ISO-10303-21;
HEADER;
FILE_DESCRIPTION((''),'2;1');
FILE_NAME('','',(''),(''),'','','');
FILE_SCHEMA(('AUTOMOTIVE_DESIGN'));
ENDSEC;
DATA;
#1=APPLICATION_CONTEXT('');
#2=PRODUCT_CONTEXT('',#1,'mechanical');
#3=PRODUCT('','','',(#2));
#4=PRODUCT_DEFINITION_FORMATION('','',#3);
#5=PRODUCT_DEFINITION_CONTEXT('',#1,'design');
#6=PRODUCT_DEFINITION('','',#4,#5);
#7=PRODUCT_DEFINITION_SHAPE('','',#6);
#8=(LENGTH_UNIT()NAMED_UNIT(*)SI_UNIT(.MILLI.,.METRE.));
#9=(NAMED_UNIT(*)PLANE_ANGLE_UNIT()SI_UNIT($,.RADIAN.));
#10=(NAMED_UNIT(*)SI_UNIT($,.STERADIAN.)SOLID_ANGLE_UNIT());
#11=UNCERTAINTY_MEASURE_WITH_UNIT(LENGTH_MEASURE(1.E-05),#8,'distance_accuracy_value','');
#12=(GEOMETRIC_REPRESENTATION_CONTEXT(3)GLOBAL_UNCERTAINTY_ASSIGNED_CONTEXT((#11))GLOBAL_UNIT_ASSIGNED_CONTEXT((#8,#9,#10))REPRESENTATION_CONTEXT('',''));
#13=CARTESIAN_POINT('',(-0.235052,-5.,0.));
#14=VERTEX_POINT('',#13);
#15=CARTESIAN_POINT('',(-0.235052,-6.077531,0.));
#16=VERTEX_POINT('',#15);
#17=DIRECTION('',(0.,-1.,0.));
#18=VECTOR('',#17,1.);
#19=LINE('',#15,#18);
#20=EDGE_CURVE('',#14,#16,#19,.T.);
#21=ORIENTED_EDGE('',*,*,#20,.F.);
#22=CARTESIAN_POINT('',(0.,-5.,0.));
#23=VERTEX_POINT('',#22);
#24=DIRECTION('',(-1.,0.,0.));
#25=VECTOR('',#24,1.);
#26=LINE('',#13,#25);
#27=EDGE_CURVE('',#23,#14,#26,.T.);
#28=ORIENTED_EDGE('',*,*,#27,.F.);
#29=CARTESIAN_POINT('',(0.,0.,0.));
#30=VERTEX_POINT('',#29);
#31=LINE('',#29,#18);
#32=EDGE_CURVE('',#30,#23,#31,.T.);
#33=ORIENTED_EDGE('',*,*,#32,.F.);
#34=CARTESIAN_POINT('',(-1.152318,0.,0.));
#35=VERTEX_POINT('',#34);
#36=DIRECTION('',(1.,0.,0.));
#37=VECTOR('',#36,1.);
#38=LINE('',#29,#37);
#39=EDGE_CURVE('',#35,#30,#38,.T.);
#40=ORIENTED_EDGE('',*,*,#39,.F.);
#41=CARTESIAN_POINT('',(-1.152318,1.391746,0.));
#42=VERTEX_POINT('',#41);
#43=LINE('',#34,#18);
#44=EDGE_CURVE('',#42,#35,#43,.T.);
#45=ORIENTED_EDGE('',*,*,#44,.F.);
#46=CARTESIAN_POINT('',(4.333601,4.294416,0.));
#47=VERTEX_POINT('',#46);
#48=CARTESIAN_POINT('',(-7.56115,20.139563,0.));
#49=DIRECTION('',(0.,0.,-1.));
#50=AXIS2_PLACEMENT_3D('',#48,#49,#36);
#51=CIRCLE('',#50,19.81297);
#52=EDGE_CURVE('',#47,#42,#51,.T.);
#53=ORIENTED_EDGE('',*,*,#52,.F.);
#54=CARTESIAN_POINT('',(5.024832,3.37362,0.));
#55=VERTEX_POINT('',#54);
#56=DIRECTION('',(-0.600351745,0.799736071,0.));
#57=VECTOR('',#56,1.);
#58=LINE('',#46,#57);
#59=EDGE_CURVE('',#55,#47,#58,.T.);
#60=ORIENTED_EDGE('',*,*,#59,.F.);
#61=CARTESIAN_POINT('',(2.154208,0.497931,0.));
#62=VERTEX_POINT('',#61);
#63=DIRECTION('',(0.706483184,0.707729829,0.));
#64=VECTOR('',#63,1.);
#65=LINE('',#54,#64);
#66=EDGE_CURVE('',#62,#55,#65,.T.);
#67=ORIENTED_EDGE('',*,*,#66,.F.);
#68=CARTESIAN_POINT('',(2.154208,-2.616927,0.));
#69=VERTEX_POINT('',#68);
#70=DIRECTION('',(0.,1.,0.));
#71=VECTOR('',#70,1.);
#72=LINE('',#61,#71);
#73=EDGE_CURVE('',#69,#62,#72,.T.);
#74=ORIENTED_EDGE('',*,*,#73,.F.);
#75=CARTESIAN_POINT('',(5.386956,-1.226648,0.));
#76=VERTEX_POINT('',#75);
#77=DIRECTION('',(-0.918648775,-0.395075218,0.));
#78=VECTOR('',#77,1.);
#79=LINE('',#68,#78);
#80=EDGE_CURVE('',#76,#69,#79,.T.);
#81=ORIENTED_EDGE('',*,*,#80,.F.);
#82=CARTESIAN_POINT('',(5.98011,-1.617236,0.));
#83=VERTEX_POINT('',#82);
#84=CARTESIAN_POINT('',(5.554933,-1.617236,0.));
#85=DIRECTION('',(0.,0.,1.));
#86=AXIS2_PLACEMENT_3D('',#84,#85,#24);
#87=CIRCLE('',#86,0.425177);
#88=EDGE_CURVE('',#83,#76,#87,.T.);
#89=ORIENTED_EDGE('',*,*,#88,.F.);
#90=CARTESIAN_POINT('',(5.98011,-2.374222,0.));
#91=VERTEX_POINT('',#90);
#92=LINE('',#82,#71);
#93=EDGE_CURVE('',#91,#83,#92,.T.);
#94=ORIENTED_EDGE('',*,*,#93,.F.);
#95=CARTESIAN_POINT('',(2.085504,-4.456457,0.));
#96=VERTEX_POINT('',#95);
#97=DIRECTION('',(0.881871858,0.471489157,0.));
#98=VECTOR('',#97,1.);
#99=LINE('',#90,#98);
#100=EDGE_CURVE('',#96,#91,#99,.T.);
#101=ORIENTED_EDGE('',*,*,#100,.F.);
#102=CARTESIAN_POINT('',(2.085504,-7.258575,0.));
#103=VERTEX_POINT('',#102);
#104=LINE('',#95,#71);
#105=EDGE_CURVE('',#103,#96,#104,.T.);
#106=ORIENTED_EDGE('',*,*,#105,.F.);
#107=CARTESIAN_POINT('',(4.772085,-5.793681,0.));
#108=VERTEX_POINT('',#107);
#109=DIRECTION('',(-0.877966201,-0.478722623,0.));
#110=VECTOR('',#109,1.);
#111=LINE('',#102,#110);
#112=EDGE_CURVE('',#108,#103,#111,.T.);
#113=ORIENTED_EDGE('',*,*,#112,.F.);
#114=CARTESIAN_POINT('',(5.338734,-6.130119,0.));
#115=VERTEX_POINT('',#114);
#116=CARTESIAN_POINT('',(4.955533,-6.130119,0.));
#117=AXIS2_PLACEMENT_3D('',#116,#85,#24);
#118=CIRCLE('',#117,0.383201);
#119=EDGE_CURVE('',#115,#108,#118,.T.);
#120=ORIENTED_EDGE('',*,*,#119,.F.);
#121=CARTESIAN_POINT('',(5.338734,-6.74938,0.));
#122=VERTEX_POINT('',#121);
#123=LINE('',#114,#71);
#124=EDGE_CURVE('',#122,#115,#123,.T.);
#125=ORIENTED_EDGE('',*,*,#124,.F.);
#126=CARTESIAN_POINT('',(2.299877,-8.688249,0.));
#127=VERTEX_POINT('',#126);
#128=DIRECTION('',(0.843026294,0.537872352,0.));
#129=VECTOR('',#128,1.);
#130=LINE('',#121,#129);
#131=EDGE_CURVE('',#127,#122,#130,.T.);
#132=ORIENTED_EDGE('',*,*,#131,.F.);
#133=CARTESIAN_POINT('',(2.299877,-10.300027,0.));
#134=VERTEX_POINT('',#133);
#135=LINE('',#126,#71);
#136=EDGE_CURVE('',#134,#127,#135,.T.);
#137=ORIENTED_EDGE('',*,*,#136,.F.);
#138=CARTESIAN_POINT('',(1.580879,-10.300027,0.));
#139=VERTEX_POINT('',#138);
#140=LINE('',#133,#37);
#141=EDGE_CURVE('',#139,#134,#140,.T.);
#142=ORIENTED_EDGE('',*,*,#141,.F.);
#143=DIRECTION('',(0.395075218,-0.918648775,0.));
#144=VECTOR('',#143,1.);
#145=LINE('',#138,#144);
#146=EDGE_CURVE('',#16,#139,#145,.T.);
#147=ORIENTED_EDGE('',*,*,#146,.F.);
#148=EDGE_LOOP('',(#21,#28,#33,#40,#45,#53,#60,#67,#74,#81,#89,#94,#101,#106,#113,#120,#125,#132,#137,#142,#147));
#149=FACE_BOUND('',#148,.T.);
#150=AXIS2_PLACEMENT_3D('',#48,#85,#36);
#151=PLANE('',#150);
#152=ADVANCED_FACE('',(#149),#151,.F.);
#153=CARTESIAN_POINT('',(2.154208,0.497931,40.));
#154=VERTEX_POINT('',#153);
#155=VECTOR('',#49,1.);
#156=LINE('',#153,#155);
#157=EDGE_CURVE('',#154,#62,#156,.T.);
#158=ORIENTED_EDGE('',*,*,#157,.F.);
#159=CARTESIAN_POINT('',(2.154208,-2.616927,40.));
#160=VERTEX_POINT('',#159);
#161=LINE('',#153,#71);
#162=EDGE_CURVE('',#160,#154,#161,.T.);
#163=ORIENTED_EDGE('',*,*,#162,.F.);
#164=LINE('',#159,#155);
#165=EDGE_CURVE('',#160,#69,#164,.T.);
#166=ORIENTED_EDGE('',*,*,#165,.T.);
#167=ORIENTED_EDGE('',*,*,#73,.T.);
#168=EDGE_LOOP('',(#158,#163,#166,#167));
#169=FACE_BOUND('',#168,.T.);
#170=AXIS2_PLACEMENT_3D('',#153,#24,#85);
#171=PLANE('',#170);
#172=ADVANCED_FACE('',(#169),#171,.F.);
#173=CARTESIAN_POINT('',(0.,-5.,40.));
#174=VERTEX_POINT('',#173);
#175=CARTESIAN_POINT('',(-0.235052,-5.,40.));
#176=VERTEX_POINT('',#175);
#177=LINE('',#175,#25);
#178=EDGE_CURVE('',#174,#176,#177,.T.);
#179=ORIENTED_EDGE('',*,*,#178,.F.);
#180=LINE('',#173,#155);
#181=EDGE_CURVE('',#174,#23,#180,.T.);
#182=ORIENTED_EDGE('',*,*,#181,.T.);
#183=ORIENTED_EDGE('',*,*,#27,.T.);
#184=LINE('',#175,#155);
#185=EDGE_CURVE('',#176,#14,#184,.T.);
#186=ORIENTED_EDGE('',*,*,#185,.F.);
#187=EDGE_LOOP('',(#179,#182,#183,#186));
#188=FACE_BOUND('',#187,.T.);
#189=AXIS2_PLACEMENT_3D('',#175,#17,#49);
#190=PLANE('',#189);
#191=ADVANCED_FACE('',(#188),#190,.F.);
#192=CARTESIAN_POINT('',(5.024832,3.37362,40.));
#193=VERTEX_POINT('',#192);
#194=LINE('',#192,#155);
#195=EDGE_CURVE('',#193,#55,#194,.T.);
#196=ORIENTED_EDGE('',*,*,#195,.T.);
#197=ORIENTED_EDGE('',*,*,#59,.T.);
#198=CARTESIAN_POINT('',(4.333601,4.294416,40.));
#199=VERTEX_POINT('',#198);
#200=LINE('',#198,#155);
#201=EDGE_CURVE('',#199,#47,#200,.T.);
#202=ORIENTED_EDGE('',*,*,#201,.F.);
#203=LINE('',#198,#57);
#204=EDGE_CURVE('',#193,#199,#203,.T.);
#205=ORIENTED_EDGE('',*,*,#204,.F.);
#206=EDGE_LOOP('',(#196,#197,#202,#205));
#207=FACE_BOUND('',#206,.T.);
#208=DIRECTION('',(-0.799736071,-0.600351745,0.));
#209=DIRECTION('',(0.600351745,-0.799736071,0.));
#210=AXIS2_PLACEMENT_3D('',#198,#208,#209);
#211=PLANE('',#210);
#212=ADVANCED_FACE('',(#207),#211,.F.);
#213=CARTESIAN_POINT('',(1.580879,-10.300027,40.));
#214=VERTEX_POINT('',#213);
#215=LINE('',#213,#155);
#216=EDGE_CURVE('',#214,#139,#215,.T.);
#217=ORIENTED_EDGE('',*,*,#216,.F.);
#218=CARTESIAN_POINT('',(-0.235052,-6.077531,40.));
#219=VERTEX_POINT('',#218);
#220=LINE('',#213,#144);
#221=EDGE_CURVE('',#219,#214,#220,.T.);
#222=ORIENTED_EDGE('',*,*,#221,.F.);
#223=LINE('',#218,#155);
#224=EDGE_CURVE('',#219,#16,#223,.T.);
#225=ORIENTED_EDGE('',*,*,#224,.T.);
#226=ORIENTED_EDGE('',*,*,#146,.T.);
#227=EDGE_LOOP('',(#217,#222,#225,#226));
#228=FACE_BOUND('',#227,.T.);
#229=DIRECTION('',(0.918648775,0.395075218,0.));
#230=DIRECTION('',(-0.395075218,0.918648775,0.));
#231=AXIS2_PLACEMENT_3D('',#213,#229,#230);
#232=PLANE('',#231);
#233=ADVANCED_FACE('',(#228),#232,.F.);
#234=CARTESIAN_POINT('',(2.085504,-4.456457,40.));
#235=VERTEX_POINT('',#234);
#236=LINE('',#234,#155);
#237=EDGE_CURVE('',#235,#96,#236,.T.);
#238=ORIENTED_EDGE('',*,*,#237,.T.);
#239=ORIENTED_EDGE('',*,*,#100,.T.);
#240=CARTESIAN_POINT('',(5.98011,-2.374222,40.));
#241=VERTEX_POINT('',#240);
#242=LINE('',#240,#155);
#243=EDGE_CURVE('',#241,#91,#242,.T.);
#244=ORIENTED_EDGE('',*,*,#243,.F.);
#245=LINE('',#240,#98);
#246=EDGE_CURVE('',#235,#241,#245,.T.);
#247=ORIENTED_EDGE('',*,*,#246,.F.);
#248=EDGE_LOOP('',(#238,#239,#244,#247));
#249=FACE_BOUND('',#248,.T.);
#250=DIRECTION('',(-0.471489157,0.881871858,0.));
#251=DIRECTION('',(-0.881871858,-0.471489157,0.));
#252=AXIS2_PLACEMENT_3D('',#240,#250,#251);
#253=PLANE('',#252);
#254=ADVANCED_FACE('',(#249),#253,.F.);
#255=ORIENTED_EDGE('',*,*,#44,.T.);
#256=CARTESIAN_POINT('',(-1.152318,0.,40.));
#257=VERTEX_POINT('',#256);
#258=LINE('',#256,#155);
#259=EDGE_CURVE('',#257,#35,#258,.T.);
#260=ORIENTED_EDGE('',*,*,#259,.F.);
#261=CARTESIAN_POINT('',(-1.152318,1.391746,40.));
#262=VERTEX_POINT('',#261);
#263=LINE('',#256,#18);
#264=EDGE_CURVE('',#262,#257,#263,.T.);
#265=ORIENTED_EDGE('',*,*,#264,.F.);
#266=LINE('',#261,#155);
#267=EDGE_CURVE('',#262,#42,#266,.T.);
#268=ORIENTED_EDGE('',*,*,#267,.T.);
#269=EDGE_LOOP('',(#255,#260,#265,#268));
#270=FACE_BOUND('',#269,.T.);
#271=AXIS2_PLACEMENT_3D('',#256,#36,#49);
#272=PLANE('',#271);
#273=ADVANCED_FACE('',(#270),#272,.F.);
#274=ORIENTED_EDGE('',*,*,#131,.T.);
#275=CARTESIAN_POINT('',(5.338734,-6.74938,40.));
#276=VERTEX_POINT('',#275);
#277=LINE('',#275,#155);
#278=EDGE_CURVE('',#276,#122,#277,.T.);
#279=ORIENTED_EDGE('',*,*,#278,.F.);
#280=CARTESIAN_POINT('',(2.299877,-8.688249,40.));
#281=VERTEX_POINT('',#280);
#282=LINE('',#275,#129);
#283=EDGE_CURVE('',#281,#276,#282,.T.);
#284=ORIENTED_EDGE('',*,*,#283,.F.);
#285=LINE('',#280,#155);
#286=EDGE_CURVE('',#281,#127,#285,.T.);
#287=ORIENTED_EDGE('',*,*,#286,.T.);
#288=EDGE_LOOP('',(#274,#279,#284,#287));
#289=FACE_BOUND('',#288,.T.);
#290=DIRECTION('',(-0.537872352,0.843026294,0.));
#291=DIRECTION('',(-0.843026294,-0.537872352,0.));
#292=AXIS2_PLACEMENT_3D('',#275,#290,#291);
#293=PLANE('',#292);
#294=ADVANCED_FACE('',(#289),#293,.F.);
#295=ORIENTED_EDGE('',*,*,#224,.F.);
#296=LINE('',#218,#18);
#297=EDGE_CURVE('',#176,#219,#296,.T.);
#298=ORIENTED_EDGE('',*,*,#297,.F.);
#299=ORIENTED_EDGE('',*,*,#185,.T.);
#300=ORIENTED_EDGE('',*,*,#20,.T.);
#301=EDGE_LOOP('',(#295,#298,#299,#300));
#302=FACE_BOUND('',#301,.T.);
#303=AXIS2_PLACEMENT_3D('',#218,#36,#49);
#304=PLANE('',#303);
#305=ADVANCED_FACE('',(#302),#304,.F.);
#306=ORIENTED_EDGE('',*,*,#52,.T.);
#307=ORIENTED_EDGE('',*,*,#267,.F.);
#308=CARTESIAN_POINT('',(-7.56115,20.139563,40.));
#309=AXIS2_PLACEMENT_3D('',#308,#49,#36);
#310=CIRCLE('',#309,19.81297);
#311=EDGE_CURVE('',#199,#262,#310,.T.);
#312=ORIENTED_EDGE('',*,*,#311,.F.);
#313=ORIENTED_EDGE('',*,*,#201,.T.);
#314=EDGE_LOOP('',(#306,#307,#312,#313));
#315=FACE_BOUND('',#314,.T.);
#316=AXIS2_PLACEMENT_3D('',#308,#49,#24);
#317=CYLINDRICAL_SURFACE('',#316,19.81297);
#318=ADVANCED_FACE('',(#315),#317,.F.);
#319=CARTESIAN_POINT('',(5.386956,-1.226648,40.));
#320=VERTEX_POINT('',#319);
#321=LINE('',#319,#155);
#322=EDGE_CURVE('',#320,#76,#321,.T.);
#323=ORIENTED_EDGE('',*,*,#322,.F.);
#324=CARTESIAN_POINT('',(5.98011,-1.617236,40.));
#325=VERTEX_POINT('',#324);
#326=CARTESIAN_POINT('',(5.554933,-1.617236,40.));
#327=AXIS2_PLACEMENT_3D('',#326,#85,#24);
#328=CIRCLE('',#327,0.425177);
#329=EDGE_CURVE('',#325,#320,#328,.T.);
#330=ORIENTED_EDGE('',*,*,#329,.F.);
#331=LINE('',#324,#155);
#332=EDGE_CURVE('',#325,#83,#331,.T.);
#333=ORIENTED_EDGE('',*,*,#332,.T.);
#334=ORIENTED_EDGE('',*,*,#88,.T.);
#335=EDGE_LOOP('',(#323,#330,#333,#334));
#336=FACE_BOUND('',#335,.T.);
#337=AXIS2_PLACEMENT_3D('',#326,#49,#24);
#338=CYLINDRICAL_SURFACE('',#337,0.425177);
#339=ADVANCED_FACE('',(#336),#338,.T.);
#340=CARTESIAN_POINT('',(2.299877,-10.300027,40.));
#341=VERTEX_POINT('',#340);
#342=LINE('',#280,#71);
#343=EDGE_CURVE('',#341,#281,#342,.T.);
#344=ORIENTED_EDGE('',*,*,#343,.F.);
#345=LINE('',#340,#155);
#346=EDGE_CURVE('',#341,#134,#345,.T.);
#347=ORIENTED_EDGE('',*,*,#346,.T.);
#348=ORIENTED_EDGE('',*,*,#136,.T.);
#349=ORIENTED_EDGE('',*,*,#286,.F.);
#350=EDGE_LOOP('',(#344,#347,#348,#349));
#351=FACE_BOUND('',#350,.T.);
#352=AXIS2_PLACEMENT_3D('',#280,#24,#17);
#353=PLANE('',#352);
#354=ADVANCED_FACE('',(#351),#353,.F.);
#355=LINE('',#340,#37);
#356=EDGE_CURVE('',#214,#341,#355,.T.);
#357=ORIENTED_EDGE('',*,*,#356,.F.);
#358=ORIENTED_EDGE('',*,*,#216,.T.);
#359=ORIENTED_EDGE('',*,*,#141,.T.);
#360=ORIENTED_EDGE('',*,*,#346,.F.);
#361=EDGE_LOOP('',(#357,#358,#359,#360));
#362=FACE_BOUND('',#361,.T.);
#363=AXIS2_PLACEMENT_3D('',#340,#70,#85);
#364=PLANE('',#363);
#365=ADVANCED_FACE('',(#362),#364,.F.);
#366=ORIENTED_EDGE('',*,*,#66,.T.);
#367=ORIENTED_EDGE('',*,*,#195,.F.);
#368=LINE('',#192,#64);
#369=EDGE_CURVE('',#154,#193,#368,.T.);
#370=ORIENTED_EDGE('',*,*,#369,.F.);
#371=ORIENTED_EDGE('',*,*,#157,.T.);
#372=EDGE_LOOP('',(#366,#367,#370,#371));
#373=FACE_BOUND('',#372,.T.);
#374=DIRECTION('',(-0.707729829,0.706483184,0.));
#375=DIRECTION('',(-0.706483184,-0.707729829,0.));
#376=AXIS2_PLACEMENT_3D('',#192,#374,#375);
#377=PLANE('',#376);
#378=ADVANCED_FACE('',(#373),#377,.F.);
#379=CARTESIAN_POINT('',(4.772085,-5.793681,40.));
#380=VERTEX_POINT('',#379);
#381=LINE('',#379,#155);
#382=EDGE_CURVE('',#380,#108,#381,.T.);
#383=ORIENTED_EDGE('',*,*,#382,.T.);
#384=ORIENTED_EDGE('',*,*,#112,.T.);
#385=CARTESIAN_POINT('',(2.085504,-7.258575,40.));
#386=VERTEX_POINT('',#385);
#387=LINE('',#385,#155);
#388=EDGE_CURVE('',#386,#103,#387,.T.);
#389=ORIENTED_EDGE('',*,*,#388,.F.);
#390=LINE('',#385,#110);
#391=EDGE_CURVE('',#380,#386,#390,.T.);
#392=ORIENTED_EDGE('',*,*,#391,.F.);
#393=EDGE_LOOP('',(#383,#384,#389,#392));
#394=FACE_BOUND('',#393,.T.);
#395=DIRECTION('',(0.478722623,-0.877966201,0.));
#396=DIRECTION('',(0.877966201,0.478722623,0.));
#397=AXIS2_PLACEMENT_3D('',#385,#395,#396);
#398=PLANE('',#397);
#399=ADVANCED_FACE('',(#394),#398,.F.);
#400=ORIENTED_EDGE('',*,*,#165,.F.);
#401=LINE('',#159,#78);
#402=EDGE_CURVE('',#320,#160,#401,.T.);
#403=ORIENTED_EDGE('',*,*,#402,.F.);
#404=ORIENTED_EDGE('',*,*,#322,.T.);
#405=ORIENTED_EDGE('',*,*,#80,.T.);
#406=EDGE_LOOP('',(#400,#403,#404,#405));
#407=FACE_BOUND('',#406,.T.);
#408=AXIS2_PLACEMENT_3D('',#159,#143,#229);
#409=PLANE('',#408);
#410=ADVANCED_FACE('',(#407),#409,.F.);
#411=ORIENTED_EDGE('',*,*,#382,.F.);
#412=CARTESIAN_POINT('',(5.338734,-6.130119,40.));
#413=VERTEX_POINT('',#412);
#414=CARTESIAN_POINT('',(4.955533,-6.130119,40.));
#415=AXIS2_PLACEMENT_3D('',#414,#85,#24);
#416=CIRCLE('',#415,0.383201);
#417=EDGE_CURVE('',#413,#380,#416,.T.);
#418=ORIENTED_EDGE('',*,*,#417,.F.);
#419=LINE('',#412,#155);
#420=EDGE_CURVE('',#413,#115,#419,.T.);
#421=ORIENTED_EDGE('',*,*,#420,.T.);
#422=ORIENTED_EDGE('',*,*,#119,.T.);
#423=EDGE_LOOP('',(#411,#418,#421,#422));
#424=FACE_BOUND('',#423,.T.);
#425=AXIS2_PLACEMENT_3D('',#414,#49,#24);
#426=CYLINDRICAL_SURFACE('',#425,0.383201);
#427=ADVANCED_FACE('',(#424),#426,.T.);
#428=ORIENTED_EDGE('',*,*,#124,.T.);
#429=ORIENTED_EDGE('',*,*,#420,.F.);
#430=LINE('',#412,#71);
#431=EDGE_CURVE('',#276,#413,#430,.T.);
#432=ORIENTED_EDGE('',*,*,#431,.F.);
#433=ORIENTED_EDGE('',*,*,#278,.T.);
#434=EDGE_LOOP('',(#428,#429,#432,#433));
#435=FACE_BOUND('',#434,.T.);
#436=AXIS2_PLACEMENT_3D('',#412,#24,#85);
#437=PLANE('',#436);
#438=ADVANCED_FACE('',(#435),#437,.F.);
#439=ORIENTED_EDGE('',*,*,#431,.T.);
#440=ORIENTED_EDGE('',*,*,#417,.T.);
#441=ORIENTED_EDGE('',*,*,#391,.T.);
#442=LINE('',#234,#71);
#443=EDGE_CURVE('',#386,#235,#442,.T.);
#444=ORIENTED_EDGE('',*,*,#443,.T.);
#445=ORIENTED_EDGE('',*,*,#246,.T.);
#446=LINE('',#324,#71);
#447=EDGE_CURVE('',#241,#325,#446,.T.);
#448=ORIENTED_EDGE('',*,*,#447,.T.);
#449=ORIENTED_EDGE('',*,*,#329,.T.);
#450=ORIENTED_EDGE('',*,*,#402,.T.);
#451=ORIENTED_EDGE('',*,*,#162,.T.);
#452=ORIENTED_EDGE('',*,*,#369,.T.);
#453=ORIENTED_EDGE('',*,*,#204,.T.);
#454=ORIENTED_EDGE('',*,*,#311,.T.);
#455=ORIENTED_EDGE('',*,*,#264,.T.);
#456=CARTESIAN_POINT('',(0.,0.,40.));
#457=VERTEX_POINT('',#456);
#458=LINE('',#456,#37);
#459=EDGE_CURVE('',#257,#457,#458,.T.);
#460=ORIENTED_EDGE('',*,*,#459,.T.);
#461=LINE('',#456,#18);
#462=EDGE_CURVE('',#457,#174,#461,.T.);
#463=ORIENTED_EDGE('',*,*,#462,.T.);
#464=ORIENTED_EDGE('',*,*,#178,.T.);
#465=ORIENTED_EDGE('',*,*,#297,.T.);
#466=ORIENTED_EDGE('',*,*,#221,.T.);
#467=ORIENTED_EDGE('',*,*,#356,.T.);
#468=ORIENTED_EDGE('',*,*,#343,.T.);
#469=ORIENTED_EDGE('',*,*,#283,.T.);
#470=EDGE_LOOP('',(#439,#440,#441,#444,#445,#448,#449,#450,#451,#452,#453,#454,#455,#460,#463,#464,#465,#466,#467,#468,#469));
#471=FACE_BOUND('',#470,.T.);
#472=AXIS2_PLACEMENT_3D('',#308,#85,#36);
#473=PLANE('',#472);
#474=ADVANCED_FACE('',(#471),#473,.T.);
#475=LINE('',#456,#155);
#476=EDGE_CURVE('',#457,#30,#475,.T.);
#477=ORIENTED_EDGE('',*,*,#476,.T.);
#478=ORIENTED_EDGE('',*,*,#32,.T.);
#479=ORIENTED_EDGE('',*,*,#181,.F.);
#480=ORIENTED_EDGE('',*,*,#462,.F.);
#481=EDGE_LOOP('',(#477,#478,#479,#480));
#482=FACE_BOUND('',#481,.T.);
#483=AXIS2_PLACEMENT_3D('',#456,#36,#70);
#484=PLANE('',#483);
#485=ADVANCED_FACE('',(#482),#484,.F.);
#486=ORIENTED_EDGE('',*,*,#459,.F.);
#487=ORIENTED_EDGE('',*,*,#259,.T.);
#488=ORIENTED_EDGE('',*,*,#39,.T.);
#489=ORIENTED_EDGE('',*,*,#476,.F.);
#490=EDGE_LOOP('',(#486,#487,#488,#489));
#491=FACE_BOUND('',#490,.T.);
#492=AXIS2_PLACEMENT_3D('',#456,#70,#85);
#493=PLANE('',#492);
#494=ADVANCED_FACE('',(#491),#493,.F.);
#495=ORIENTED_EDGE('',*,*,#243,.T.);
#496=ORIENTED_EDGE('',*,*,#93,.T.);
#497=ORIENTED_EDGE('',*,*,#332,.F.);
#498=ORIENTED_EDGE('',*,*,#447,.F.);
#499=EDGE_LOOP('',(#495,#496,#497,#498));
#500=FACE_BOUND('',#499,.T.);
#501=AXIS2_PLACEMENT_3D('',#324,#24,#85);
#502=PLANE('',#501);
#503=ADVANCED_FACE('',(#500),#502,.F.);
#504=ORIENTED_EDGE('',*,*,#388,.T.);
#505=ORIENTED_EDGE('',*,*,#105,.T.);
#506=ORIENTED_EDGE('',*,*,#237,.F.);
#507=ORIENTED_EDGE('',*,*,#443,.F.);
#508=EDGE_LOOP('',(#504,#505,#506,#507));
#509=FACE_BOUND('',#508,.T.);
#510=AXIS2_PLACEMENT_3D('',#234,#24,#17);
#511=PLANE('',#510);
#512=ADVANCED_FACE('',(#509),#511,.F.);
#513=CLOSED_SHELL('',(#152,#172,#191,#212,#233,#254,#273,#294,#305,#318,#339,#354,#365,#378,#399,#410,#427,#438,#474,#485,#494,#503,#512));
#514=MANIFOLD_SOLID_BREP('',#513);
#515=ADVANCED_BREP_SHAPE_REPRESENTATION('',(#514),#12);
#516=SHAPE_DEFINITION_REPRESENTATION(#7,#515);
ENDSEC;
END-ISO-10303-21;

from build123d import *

# Parameters (mm, degrees)
EXTRUDE_1_DEPTH = 40


with BuildPart() as part:
    # Эскиз1 → Бобышка-Вытянуть1 (new body)
    with BuildSketch(Plane.XY):
        with BuildLine():
            Line((0, 0), (0, -5))
            Line((0, -5), (-0.235052359, -5))
            Line((-0.235052359, -5), (-0.235052359, -6.077530645))
            Line((-0.235052359, -6.077530645), (1.580879478, -10.300026718))
            Line((1.580879478, -10.300026718), (2.299876794, -10.300026718))
            Line((2.299876794, -10.300026718), (2.299876794, -8.688248945))
            Line((2.299876794, -8.688248945), (5.338733825, -6.749380382))
            Line((5.338733825, -6.749380382), (5.338733825, -6.130118817))
            ThreePointArc((5.338733825, -6.130118817), (5.151167457, -5.800618872), (4.772085378, -5.793681018))
            Line((4.772085378, -5.793681018), (2.085504308, -7.258574696))
            Line((2.085504308, -7.258574696), (2.085504308, -4.45645656))
            Line((2.085504308, -4.45645656), (5.980110004, -2.374221663))
            Line((5.980110004, -2.374221663), (5.980110004, -1.617236279))
            ThreePointArc((5.980110004, -1.617236279), (5.788765805, -1.262133881), (5.386956071, -1.226647924))
            Line((5.386956071, -1.226647924), (2.15420838, -2.616927359))
            Line((2.15420838, -2.616927359), (2.15420838, 0.497930702))
            Line((2.15420838, 0.497930702), (5.024831948, 3.373619708))
            Line((5.024831948, 3.373619708), (4.333601466, 4.294416481))
            ThreePointArc((4.333601466, 4.294416481), (1.705007112, 2.626935837), (-1.152317838, 1.391745925))
            Line((-1.152317838, 1.391745925), (-1.152317838, 0))
            Line((-1.152317838, 0), (0, 0))
        make_face()
    extrude(amount=EXTRUDE_1_DEPTH)


solid = part.part
